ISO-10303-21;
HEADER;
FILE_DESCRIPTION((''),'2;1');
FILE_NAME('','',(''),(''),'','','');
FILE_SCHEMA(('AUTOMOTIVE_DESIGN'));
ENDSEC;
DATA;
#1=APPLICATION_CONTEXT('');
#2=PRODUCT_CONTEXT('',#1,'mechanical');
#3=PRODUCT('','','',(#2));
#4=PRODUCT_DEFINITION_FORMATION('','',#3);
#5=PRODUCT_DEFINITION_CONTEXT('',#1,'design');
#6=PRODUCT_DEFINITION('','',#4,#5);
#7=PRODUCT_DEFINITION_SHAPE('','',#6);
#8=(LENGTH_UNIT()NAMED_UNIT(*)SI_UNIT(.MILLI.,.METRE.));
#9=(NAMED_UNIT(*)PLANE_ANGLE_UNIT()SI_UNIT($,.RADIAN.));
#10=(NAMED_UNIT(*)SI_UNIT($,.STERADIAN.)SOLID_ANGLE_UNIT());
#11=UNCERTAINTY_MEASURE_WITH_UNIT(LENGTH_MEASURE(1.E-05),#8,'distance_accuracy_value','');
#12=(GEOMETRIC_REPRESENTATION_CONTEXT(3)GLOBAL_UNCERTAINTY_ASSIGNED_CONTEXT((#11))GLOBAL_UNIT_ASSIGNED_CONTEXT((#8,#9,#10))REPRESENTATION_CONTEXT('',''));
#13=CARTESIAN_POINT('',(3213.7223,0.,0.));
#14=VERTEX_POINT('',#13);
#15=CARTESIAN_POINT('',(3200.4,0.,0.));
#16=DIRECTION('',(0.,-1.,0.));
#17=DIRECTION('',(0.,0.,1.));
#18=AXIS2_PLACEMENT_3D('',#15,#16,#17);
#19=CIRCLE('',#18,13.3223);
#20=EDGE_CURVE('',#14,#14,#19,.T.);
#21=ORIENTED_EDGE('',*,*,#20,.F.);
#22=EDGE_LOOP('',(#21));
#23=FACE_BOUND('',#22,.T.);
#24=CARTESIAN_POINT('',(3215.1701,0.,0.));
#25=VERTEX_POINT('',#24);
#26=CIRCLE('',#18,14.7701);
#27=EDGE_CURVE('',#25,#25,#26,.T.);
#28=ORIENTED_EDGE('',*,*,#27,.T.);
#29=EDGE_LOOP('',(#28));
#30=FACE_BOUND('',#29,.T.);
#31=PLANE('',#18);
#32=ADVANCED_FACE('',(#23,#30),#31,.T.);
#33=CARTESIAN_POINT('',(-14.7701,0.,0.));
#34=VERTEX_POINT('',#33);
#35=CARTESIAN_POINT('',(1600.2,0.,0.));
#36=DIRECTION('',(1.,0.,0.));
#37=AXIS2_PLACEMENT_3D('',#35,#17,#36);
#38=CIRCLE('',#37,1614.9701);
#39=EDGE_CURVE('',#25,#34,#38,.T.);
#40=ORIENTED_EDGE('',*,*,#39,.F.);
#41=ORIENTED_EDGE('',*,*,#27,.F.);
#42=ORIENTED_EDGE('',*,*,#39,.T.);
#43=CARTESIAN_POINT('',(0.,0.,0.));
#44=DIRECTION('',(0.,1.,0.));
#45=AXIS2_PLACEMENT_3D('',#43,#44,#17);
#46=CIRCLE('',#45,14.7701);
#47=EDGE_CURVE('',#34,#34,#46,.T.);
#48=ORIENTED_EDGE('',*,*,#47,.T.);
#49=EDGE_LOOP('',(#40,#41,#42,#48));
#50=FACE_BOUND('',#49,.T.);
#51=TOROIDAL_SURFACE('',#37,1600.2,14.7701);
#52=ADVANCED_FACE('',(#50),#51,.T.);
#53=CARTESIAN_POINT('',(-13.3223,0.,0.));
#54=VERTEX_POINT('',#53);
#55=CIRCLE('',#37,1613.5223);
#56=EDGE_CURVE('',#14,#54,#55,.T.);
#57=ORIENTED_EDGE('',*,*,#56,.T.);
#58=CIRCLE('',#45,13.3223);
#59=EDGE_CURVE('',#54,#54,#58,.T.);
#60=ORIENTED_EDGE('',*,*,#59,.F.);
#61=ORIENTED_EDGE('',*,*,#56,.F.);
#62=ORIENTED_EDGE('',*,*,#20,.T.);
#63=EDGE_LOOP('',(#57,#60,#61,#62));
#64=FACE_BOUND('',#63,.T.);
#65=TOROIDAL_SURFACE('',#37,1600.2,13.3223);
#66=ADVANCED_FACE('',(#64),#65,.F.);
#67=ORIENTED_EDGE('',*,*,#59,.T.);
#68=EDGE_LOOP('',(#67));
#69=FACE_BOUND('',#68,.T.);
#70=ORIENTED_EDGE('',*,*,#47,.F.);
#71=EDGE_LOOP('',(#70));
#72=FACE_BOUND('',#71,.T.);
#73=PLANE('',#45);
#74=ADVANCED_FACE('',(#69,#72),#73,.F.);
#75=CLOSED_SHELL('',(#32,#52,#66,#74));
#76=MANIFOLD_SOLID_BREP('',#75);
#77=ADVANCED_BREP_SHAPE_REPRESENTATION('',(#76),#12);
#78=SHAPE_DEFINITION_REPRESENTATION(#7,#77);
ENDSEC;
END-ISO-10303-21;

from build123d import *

# Parameters (mm, degrees)
SKETCH11_R   = 14.7701
SKETCH11_R_2 = 13.3223


with BuildPart() as part:
    # Sweep1: sweep along a path in Sketch7
    with BuildLine(Plane.XY) as sweep1_path:
        ThreePointArc((0, 0), (1600.2, 1600.2), (3200.4, 0))
    # Sketch11 → Sweep1 (sweep)
    with BuildSketch(Plane(origin=(0, 0, 0), x_dir=(1, 0, 0), z_dir=(0, 1, 0))):
        Circle(SKETCH11_R)
        Circle(SKETCH11_R_2, mode=Mode.SUBTRACT)
    sweep(path=sweep1_path.line)


solid = part.part
